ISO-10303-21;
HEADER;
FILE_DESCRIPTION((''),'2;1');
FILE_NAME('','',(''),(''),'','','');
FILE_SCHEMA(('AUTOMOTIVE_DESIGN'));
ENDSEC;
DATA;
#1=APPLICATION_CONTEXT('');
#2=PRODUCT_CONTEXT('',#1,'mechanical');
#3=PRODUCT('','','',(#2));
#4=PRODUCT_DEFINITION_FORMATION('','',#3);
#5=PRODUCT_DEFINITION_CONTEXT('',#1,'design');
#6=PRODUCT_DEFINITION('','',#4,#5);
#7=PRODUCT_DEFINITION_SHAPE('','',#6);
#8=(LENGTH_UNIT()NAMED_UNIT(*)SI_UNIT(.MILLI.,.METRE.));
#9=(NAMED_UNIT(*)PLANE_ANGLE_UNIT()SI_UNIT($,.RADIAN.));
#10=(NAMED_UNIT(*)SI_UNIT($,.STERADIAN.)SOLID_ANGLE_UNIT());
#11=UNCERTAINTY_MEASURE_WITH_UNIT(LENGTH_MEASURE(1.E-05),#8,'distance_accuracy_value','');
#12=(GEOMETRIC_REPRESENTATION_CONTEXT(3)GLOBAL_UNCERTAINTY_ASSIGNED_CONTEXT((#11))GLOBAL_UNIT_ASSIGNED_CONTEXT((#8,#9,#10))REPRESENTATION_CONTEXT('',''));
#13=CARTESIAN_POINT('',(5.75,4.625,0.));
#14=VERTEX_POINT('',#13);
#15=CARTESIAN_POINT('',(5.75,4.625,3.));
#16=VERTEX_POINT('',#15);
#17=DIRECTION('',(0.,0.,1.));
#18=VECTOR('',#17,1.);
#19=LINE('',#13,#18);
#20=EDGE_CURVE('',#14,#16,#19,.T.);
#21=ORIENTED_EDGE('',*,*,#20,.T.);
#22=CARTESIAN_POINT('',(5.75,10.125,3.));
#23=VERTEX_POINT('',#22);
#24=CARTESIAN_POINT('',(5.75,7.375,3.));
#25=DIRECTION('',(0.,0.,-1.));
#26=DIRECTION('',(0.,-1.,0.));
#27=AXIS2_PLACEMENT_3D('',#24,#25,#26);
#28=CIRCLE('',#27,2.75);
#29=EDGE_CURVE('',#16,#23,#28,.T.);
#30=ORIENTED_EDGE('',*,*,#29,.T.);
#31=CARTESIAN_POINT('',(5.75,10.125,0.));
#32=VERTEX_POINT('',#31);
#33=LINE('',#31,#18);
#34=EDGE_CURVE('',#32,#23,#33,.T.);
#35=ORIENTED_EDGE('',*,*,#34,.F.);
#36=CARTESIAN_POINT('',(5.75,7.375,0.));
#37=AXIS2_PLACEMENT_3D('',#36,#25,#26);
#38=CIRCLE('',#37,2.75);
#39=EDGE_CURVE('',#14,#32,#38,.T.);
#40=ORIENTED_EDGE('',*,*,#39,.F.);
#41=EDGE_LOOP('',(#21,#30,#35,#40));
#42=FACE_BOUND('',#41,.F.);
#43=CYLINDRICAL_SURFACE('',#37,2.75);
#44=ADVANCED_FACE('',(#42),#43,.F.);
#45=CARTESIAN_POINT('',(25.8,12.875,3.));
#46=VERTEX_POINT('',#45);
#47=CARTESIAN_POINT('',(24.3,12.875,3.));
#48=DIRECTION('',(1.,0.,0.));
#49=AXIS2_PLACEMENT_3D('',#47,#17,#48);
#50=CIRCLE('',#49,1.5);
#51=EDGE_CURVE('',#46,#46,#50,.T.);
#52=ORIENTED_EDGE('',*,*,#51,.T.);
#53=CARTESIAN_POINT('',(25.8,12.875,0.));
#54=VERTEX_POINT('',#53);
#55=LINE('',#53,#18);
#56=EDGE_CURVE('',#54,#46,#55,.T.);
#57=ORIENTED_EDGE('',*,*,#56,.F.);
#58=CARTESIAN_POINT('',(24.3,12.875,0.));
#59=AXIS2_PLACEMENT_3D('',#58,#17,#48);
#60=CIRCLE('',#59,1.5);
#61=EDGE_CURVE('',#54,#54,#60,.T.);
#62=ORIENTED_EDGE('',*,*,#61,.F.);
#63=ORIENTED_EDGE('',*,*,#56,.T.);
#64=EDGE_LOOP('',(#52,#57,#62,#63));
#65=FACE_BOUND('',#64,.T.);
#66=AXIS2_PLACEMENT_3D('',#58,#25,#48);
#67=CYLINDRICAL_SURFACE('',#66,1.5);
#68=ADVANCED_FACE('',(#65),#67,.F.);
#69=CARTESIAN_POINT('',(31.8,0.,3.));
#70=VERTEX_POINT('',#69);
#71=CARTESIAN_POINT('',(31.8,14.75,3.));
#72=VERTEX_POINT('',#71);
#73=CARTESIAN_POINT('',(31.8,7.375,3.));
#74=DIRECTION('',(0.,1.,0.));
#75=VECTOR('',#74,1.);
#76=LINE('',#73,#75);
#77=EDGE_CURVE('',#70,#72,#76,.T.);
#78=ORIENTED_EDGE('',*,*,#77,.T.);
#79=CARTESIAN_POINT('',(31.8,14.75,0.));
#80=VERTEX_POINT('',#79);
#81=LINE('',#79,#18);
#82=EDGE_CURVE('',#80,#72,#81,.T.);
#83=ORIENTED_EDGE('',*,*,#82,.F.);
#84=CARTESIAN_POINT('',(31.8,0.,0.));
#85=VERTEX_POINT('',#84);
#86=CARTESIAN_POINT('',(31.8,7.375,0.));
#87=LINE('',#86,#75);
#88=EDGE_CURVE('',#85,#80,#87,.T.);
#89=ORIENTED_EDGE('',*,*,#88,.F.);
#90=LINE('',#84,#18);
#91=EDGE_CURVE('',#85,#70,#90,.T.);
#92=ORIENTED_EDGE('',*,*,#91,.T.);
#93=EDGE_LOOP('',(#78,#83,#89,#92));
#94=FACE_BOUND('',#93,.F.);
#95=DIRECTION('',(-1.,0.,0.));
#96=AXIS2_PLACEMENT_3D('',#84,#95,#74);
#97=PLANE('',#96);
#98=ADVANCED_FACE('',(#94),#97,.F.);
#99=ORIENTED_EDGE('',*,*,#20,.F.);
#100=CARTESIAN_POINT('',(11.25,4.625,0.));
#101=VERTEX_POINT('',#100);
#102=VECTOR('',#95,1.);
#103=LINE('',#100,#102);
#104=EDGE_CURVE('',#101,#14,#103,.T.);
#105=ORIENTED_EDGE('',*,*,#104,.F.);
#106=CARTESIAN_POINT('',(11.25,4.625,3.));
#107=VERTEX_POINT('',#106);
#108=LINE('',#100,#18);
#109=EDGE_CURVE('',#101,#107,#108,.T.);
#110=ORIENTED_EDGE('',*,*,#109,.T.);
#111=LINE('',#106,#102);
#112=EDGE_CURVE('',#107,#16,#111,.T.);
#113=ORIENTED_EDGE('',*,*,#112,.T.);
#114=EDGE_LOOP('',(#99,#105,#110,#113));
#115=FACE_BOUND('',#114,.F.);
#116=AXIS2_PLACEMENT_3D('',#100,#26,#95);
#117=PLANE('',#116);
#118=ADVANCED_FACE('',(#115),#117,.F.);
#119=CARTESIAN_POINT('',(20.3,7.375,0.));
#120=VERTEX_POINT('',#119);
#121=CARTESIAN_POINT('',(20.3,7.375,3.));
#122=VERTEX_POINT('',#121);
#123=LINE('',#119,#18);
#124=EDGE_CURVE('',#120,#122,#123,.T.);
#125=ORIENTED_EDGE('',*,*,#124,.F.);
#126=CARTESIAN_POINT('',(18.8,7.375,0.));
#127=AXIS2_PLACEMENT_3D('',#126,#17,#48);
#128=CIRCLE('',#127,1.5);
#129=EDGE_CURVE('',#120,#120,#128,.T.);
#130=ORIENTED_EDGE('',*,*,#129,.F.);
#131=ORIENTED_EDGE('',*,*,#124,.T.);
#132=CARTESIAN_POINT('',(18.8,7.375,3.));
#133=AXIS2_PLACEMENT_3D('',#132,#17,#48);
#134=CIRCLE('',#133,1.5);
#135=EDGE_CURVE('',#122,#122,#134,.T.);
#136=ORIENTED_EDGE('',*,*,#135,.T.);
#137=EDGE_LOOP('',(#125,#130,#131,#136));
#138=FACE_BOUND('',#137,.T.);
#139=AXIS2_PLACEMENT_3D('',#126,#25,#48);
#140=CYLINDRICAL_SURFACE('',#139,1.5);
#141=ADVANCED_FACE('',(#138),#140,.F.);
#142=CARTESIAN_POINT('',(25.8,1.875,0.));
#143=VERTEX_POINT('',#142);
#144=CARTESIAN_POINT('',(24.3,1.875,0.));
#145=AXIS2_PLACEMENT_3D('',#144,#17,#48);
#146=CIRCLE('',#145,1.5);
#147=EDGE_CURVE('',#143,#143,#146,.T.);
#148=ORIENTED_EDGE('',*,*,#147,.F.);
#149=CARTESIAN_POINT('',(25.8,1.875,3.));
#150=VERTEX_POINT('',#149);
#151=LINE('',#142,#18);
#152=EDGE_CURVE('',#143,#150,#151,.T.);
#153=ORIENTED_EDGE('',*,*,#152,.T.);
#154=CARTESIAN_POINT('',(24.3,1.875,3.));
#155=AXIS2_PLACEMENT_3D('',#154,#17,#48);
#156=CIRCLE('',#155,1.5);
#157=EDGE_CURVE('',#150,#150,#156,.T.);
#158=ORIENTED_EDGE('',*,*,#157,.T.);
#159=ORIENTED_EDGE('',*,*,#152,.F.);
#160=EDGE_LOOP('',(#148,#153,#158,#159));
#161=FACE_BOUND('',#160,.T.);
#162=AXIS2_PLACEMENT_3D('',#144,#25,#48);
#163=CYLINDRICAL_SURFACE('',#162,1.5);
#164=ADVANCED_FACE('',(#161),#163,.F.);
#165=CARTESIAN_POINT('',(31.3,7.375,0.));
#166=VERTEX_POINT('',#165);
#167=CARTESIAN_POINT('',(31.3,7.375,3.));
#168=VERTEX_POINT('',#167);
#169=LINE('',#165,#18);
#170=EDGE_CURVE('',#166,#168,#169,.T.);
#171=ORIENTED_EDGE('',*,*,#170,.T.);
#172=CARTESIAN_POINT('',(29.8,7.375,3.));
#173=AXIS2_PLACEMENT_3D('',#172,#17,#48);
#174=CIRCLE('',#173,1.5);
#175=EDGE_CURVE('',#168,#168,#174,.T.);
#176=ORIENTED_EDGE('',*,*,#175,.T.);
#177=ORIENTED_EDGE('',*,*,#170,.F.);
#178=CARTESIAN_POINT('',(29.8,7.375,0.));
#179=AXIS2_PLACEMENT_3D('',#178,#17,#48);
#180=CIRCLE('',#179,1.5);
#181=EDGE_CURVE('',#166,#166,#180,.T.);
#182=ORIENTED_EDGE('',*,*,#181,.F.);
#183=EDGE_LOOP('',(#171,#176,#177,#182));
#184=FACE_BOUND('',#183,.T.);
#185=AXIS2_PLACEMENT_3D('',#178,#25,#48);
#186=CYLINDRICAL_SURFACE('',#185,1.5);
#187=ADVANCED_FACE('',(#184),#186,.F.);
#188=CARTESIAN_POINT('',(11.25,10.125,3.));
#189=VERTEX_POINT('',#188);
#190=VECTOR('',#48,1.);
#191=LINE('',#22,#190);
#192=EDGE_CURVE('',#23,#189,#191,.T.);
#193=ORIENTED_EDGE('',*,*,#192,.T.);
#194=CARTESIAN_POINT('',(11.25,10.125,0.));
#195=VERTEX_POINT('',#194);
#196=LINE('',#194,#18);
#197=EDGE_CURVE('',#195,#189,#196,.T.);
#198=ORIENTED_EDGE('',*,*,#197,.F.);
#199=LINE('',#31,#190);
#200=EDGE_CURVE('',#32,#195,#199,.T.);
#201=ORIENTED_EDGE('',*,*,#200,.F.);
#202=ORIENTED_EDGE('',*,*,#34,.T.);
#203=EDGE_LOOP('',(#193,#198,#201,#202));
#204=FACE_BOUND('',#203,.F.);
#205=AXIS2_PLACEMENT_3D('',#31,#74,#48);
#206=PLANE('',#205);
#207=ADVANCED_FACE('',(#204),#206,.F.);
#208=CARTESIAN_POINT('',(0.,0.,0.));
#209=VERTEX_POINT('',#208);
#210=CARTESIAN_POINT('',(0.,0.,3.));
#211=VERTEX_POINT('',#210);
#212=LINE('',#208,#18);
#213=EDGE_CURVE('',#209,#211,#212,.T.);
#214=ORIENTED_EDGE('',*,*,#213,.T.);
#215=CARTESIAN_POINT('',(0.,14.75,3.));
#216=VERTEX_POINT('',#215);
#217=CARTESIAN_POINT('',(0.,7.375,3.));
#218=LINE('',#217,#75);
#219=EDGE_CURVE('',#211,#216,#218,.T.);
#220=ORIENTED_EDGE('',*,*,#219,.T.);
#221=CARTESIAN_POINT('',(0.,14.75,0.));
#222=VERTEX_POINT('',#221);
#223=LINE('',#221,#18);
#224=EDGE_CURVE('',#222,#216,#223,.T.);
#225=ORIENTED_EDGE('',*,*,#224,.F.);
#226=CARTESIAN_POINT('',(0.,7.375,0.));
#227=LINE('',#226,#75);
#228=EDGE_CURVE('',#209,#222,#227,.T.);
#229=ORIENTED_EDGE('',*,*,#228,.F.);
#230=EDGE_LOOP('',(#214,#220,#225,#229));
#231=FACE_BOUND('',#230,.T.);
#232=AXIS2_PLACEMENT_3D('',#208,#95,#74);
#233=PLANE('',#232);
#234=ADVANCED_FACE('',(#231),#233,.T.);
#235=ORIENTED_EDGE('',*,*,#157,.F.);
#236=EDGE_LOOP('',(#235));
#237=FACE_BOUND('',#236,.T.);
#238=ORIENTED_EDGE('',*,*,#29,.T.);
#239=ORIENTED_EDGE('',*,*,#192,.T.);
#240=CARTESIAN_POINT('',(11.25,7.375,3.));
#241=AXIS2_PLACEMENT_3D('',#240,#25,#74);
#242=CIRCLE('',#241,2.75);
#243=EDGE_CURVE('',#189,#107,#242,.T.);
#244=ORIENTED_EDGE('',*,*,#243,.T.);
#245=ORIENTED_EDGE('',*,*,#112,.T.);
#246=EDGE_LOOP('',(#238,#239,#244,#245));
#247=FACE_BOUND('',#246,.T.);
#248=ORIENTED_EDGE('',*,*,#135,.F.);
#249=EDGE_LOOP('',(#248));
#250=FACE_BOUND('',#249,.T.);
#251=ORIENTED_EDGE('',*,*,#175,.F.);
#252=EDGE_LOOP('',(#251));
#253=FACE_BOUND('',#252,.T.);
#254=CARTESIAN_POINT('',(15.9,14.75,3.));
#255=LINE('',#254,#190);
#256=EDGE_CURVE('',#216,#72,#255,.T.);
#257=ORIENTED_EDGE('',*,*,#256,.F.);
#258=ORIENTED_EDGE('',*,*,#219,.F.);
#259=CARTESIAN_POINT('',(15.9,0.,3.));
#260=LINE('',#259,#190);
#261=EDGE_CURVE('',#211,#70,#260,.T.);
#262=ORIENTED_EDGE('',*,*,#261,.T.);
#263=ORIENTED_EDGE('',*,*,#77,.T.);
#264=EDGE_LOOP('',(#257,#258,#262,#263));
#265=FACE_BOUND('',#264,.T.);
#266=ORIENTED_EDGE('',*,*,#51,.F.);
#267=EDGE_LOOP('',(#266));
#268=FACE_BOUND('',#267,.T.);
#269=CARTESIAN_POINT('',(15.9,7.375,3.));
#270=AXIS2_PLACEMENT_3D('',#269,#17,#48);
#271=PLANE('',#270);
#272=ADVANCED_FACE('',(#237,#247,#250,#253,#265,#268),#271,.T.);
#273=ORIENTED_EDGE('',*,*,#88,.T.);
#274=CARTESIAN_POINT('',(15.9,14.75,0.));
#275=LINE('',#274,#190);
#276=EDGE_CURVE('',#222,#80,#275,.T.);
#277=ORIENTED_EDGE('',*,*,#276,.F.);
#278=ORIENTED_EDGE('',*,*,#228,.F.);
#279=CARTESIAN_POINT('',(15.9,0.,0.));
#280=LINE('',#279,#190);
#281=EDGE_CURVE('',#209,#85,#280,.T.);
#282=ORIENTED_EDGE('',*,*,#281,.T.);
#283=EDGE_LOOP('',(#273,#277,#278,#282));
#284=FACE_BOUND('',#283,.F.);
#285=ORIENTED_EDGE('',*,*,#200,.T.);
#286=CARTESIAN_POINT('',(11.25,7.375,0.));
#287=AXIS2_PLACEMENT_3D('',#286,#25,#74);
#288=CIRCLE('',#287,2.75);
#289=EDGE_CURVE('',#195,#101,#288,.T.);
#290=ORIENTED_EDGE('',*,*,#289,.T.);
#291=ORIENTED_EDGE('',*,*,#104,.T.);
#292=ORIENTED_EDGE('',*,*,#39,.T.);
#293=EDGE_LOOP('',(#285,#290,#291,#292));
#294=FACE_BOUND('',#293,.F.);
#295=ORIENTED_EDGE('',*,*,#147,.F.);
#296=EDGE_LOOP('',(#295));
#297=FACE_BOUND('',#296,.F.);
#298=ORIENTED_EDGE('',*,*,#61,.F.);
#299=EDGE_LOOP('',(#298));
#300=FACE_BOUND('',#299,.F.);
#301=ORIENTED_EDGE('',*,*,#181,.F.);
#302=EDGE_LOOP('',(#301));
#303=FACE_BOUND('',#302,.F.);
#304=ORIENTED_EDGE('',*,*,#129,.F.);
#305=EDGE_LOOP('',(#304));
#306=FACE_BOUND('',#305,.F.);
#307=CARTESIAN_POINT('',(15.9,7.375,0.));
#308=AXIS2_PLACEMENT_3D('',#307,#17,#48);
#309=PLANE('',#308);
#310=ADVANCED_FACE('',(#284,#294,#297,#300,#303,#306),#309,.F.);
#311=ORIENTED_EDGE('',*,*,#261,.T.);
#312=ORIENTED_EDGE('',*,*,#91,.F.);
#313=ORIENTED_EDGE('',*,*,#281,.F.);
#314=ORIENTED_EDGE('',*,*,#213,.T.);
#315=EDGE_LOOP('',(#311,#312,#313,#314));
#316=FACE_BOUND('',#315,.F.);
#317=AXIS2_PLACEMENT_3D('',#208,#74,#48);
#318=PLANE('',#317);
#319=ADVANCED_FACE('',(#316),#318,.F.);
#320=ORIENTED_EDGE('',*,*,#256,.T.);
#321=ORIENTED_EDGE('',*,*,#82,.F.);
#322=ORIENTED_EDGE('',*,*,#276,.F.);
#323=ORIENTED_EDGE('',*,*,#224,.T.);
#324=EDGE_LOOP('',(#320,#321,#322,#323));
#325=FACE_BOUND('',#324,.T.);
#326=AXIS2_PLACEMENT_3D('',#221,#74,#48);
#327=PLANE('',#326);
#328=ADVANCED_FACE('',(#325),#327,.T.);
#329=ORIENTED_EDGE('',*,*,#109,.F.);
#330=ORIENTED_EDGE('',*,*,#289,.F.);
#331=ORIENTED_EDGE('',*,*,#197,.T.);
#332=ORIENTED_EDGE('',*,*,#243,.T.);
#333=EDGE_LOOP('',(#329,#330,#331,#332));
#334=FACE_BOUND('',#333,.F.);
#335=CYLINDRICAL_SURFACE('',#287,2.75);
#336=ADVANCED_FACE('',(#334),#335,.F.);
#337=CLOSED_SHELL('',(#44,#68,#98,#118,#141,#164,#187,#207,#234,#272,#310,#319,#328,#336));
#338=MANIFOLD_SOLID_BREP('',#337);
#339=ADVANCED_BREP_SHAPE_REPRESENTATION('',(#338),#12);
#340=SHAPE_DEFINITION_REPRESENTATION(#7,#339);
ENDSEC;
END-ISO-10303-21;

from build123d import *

# Parameters (mm, degrees)
SKETCH1_W           = 31.8
SKETCH1_H           = 14.75
SKETCH1_R           = 1.5
BOSS_EXTRUDE1_DEPTH = 3


with BuildPart() as part:
    # Sketch1 → Boss-Extrude1 (new body)
    with BuildSketch(Plane.XY):
        with Locations((15.9, 7.375)):
            Rectangle(SKETCH1_W, SKETCH1_H)
        with Locations((29.8, 7.375)):
            Circle(SKETCH1_R, mode=Mode.SUBTRACT)
        with Locations((18.8, 7.375)):
            Circle(SKETCH1_R, mode=Mode.SUBTRACT)
        with Locations((24.3, 12.875)):
            Circle(SKETCH1_R, mode=Mode.SUBTRACT)
        with Locations((24.3, 1.875)):
            Circle(SKETCH1_R, mode=Mode.SUBTRACT)
        with BuildLine():
            Line((5.75, 10.125), (11.25, 10.125))
            ThreePointArc((11.25, 10.125), (14, 7.375), (11.25, 4.625))
            Line((11.25, 4.625), (5.75, 4.625))
            ThreePointArc((5.75, 4.625), (3, 7.375), (5.75, 10.125))
        make_face(mode=Mode.SUBTRACT)
    extrude(amount=BOSS_EXTRUDE1_DEPTH)


solid = part.part
